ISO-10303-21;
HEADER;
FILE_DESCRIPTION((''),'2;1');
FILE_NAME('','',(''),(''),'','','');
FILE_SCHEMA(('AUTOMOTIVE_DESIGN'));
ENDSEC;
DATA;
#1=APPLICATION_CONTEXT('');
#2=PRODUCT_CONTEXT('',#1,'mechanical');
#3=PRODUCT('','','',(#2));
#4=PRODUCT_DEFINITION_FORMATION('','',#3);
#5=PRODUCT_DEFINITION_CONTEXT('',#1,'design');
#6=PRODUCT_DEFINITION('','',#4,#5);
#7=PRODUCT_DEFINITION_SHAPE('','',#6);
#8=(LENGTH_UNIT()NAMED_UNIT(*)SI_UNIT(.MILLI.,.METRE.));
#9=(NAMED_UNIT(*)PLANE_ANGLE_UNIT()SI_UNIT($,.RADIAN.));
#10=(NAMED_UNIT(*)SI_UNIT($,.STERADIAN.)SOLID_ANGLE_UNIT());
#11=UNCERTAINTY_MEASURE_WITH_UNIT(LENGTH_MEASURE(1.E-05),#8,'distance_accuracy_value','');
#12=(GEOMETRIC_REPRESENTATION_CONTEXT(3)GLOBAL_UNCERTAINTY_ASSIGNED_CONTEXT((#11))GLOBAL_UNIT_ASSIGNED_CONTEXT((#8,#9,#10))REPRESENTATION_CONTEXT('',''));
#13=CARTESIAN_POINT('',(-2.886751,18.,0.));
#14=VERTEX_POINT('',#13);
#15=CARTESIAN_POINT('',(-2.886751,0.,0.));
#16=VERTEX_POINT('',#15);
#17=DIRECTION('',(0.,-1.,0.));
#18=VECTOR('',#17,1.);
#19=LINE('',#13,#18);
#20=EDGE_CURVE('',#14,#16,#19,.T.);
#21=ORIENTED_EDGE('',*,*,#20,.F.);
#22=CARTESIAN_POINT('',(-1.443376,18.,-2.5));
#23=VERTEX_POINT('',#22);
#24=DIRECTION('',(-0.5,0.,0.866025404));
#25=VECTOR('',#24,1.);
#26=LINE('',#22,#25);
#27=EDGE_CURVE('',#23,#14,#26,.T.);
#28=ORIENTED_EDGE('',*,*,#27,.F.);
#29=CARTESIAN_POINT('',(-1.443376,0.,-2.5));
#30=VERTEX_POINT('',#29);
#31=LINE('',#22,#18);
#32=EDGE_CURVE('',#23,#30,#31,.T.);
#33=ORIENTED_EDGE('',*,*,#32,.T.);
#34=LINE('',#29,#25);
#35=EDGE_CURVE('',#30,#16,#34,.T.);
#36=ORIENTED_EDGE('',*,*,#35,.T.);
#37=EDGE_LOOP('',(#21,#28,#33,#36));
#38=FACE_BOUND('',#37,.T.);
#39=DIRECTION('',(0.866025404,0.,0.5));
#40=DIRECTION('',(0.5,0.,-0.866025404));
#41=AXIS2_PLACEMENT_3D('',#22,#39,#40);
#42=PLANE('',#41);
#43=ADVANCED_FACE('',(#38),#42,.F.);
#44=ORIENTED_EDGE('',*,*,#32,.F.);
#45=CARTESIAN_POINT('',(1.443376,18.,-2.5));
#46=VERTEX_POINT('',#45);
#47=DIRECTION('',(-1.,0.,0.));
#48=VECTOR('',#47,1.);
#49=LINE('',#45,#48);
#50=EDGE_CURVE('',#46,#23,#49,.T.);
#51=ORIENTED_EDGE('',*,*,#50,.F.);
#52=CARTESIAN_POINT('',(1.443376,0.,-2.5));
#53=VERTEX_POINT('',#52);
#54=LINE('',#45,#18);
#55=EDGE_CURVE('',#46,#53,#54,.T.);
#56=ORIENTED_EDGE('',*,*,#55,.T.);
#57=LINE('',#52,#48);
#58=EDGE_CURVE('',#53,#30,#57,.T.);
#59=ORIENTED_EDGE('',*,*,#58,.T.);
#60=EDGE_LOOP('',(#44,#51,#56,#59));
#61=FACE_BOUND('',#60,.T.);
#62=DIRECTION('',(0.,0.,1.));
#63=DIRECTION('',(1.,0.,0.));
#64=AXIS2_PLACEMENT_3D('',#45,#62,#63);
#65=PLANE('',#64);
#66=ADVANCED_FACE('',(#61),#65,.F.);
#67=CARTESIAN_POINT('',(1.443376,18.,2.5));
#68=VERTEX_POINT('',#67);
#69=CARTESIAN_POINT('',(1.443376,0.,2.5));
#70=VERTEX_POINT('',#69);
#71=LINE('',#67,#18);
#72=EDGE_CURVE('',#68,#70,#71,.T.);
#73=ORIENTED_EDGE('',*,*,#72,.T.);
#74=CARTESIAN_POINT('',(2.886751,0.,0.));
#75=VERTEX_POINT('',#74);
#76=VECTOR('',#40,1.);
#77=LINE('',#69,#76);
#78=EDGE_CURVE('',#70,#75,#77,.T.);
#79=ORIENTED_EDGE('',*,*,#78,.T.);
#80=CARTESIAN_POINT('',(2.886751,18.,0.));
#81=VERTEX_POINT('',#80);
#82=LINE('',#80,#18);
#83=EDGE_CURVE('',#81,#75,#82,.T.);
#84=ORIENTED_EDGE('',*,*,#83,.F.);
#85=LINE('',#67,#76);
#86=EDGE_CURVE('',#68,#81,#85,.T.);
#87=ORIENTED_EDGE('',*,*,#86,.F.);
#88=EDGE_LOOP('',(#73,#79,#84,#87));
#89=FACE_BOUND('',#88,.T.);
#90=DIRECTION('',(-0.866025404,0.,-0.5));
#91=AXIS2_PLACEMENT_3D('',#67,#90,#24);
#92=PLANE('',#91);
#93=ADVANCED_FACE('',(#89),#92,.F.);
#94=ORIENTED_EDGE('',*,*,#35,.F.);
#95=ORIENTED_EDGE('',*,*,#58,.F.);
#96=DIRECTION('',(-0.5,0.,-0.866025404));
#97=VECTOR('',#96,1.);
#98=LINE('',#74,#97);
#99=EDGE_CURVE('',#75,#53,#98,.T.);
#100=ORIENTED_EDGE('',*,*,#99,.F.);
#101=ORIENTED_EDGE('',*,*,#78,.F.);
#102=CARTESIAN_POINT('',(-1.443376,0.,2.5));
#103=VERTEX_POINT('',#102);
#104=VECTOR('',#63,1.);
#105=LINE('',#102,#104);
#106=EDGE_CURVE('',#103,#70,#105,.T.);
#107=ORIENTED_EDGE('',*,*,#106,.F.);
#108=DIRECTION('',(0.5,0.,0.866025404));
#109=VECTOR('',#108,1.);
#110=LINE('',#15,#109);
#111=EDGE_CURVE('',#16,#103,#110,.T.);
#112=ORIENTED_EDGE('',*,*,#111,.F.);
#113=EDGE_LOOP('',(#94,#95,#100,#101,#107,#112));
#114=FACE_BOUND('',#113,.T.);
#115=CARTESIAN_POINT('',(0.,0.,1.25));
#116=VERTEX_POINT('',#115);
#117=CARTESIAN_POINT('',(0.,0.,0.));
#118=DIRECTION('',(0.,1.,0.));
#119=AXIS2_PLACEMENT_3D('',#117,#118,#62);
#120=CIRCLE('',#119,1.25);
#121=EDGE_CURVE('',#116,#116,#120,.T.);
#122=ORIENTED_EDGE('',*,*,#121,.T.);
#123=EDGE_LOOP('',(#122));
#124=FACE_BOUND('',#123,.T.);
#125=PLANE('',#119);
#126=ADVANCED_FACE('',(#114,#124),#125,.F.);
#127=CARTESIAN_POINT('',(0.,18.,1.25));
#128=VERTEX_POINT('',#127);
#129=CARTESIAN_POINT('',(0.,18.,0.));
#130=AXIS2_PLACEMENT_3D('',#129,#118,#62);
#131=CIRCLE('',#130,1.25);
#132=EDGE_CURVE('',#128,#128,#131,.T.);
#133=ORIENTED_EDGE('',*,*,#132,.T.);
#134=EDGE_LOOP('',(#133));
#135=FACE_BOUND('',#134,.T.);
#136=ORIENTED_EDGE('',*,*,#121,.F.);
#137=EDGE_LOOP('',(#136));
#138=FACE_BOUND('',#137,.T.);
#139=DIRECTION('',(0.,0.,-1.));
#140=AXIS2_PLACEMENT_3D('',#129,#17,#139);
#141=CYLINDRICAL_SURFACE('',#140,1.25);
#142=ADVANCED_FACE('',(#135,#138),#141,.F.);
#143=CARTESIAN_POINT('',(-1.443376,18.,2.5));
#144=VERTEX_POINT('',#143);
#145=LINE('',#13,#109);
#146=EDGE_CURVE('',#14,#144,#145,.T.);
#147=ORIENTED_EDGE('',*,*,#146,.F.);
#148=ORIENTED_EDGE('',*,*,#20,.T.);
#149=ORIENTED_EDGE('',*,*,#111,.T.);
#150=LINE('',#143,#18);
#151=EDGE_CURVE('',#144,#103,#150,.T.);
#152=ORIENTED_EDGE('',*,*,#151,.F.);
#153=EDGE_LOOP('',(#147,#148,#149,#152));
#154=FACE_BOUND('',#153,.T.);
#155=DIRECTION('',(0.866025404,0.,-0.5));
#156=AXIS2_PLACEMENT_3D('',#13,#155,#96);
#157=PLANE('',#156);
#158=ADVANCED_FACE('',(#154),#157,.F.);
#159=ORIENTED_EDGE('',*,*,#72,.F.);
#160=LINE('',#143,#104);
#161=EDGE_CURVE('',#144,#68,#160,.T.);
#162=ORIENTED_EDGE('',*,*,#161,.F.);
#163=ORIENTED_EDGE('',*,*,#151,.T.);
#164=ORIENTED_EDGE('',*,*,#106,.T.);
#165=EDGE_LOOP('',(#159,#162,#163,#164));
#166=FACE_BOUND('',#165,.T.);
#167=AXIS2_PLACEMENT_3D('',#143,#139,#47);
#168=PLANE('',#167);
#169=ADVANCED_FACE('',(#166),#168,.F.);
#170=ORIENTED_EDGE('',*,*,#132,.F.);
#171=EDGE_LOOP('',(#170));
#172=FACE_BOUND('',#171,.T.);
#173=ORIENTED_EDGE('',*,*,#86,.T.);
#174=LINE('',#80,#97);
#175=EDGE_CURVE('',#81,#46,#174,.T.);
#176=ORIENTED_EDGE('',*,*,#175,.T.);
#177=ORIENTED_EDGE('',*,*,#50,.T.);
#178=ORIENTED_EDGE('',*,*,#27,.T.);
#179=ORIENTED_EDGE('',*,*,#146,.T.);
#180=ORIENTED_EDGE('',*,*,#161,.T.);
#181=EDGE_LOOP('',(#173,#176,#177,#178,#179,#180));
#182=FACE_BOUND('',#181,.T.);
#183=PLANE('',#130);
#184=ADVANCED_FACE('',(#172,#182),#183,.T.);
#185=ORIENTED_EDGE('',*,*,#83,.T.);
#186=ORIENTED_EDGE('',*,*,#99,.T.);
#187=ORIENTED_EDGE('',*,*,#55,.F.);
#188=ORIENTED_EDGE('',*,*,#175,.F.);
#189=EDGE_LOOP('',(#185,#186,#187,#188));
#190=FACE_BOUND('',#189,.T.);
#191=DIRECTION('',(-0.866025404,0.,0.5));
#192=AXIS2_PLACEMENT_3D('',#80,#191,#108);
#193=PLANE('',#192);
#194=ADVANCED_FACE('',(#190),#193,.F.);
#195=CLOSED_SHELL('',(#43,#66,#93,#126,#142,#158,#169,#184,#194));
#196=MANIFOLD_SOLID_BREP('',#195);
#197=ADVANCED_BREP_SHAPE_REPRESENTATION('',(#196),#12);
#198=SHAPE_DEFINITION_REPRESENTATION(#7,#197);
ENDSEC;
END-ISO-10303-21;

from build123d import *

# Parameters (mm, degrees)
SKETCH_1_R      = 1.25
EXTRUDE_1_DEPTH = 18


with BuildPart() as part:
    # 草图1 → 凸台-拉伸1 (new body)
    with BuildSketch(Plane(origin=(0, 0, 0), x_dir=(1, 0, 0), z_dir=(0, 1, 0))):
        Polygon((1.443375673, -2.5), (2.886751346, 0), (1.443375673, 2.5), (-1.443375673, 2.5), (-2.886751346, 0), (-1.443375673, -2.5), align=None)
        with Locations(Location((0, 0, 0), (0, 0, 270))):
            Circle(SKETCH_1_R, mode=Mode.SUBTRACT)
    extrude(amount=EXTRUDE_1_DEPTH)


solid = part.part
